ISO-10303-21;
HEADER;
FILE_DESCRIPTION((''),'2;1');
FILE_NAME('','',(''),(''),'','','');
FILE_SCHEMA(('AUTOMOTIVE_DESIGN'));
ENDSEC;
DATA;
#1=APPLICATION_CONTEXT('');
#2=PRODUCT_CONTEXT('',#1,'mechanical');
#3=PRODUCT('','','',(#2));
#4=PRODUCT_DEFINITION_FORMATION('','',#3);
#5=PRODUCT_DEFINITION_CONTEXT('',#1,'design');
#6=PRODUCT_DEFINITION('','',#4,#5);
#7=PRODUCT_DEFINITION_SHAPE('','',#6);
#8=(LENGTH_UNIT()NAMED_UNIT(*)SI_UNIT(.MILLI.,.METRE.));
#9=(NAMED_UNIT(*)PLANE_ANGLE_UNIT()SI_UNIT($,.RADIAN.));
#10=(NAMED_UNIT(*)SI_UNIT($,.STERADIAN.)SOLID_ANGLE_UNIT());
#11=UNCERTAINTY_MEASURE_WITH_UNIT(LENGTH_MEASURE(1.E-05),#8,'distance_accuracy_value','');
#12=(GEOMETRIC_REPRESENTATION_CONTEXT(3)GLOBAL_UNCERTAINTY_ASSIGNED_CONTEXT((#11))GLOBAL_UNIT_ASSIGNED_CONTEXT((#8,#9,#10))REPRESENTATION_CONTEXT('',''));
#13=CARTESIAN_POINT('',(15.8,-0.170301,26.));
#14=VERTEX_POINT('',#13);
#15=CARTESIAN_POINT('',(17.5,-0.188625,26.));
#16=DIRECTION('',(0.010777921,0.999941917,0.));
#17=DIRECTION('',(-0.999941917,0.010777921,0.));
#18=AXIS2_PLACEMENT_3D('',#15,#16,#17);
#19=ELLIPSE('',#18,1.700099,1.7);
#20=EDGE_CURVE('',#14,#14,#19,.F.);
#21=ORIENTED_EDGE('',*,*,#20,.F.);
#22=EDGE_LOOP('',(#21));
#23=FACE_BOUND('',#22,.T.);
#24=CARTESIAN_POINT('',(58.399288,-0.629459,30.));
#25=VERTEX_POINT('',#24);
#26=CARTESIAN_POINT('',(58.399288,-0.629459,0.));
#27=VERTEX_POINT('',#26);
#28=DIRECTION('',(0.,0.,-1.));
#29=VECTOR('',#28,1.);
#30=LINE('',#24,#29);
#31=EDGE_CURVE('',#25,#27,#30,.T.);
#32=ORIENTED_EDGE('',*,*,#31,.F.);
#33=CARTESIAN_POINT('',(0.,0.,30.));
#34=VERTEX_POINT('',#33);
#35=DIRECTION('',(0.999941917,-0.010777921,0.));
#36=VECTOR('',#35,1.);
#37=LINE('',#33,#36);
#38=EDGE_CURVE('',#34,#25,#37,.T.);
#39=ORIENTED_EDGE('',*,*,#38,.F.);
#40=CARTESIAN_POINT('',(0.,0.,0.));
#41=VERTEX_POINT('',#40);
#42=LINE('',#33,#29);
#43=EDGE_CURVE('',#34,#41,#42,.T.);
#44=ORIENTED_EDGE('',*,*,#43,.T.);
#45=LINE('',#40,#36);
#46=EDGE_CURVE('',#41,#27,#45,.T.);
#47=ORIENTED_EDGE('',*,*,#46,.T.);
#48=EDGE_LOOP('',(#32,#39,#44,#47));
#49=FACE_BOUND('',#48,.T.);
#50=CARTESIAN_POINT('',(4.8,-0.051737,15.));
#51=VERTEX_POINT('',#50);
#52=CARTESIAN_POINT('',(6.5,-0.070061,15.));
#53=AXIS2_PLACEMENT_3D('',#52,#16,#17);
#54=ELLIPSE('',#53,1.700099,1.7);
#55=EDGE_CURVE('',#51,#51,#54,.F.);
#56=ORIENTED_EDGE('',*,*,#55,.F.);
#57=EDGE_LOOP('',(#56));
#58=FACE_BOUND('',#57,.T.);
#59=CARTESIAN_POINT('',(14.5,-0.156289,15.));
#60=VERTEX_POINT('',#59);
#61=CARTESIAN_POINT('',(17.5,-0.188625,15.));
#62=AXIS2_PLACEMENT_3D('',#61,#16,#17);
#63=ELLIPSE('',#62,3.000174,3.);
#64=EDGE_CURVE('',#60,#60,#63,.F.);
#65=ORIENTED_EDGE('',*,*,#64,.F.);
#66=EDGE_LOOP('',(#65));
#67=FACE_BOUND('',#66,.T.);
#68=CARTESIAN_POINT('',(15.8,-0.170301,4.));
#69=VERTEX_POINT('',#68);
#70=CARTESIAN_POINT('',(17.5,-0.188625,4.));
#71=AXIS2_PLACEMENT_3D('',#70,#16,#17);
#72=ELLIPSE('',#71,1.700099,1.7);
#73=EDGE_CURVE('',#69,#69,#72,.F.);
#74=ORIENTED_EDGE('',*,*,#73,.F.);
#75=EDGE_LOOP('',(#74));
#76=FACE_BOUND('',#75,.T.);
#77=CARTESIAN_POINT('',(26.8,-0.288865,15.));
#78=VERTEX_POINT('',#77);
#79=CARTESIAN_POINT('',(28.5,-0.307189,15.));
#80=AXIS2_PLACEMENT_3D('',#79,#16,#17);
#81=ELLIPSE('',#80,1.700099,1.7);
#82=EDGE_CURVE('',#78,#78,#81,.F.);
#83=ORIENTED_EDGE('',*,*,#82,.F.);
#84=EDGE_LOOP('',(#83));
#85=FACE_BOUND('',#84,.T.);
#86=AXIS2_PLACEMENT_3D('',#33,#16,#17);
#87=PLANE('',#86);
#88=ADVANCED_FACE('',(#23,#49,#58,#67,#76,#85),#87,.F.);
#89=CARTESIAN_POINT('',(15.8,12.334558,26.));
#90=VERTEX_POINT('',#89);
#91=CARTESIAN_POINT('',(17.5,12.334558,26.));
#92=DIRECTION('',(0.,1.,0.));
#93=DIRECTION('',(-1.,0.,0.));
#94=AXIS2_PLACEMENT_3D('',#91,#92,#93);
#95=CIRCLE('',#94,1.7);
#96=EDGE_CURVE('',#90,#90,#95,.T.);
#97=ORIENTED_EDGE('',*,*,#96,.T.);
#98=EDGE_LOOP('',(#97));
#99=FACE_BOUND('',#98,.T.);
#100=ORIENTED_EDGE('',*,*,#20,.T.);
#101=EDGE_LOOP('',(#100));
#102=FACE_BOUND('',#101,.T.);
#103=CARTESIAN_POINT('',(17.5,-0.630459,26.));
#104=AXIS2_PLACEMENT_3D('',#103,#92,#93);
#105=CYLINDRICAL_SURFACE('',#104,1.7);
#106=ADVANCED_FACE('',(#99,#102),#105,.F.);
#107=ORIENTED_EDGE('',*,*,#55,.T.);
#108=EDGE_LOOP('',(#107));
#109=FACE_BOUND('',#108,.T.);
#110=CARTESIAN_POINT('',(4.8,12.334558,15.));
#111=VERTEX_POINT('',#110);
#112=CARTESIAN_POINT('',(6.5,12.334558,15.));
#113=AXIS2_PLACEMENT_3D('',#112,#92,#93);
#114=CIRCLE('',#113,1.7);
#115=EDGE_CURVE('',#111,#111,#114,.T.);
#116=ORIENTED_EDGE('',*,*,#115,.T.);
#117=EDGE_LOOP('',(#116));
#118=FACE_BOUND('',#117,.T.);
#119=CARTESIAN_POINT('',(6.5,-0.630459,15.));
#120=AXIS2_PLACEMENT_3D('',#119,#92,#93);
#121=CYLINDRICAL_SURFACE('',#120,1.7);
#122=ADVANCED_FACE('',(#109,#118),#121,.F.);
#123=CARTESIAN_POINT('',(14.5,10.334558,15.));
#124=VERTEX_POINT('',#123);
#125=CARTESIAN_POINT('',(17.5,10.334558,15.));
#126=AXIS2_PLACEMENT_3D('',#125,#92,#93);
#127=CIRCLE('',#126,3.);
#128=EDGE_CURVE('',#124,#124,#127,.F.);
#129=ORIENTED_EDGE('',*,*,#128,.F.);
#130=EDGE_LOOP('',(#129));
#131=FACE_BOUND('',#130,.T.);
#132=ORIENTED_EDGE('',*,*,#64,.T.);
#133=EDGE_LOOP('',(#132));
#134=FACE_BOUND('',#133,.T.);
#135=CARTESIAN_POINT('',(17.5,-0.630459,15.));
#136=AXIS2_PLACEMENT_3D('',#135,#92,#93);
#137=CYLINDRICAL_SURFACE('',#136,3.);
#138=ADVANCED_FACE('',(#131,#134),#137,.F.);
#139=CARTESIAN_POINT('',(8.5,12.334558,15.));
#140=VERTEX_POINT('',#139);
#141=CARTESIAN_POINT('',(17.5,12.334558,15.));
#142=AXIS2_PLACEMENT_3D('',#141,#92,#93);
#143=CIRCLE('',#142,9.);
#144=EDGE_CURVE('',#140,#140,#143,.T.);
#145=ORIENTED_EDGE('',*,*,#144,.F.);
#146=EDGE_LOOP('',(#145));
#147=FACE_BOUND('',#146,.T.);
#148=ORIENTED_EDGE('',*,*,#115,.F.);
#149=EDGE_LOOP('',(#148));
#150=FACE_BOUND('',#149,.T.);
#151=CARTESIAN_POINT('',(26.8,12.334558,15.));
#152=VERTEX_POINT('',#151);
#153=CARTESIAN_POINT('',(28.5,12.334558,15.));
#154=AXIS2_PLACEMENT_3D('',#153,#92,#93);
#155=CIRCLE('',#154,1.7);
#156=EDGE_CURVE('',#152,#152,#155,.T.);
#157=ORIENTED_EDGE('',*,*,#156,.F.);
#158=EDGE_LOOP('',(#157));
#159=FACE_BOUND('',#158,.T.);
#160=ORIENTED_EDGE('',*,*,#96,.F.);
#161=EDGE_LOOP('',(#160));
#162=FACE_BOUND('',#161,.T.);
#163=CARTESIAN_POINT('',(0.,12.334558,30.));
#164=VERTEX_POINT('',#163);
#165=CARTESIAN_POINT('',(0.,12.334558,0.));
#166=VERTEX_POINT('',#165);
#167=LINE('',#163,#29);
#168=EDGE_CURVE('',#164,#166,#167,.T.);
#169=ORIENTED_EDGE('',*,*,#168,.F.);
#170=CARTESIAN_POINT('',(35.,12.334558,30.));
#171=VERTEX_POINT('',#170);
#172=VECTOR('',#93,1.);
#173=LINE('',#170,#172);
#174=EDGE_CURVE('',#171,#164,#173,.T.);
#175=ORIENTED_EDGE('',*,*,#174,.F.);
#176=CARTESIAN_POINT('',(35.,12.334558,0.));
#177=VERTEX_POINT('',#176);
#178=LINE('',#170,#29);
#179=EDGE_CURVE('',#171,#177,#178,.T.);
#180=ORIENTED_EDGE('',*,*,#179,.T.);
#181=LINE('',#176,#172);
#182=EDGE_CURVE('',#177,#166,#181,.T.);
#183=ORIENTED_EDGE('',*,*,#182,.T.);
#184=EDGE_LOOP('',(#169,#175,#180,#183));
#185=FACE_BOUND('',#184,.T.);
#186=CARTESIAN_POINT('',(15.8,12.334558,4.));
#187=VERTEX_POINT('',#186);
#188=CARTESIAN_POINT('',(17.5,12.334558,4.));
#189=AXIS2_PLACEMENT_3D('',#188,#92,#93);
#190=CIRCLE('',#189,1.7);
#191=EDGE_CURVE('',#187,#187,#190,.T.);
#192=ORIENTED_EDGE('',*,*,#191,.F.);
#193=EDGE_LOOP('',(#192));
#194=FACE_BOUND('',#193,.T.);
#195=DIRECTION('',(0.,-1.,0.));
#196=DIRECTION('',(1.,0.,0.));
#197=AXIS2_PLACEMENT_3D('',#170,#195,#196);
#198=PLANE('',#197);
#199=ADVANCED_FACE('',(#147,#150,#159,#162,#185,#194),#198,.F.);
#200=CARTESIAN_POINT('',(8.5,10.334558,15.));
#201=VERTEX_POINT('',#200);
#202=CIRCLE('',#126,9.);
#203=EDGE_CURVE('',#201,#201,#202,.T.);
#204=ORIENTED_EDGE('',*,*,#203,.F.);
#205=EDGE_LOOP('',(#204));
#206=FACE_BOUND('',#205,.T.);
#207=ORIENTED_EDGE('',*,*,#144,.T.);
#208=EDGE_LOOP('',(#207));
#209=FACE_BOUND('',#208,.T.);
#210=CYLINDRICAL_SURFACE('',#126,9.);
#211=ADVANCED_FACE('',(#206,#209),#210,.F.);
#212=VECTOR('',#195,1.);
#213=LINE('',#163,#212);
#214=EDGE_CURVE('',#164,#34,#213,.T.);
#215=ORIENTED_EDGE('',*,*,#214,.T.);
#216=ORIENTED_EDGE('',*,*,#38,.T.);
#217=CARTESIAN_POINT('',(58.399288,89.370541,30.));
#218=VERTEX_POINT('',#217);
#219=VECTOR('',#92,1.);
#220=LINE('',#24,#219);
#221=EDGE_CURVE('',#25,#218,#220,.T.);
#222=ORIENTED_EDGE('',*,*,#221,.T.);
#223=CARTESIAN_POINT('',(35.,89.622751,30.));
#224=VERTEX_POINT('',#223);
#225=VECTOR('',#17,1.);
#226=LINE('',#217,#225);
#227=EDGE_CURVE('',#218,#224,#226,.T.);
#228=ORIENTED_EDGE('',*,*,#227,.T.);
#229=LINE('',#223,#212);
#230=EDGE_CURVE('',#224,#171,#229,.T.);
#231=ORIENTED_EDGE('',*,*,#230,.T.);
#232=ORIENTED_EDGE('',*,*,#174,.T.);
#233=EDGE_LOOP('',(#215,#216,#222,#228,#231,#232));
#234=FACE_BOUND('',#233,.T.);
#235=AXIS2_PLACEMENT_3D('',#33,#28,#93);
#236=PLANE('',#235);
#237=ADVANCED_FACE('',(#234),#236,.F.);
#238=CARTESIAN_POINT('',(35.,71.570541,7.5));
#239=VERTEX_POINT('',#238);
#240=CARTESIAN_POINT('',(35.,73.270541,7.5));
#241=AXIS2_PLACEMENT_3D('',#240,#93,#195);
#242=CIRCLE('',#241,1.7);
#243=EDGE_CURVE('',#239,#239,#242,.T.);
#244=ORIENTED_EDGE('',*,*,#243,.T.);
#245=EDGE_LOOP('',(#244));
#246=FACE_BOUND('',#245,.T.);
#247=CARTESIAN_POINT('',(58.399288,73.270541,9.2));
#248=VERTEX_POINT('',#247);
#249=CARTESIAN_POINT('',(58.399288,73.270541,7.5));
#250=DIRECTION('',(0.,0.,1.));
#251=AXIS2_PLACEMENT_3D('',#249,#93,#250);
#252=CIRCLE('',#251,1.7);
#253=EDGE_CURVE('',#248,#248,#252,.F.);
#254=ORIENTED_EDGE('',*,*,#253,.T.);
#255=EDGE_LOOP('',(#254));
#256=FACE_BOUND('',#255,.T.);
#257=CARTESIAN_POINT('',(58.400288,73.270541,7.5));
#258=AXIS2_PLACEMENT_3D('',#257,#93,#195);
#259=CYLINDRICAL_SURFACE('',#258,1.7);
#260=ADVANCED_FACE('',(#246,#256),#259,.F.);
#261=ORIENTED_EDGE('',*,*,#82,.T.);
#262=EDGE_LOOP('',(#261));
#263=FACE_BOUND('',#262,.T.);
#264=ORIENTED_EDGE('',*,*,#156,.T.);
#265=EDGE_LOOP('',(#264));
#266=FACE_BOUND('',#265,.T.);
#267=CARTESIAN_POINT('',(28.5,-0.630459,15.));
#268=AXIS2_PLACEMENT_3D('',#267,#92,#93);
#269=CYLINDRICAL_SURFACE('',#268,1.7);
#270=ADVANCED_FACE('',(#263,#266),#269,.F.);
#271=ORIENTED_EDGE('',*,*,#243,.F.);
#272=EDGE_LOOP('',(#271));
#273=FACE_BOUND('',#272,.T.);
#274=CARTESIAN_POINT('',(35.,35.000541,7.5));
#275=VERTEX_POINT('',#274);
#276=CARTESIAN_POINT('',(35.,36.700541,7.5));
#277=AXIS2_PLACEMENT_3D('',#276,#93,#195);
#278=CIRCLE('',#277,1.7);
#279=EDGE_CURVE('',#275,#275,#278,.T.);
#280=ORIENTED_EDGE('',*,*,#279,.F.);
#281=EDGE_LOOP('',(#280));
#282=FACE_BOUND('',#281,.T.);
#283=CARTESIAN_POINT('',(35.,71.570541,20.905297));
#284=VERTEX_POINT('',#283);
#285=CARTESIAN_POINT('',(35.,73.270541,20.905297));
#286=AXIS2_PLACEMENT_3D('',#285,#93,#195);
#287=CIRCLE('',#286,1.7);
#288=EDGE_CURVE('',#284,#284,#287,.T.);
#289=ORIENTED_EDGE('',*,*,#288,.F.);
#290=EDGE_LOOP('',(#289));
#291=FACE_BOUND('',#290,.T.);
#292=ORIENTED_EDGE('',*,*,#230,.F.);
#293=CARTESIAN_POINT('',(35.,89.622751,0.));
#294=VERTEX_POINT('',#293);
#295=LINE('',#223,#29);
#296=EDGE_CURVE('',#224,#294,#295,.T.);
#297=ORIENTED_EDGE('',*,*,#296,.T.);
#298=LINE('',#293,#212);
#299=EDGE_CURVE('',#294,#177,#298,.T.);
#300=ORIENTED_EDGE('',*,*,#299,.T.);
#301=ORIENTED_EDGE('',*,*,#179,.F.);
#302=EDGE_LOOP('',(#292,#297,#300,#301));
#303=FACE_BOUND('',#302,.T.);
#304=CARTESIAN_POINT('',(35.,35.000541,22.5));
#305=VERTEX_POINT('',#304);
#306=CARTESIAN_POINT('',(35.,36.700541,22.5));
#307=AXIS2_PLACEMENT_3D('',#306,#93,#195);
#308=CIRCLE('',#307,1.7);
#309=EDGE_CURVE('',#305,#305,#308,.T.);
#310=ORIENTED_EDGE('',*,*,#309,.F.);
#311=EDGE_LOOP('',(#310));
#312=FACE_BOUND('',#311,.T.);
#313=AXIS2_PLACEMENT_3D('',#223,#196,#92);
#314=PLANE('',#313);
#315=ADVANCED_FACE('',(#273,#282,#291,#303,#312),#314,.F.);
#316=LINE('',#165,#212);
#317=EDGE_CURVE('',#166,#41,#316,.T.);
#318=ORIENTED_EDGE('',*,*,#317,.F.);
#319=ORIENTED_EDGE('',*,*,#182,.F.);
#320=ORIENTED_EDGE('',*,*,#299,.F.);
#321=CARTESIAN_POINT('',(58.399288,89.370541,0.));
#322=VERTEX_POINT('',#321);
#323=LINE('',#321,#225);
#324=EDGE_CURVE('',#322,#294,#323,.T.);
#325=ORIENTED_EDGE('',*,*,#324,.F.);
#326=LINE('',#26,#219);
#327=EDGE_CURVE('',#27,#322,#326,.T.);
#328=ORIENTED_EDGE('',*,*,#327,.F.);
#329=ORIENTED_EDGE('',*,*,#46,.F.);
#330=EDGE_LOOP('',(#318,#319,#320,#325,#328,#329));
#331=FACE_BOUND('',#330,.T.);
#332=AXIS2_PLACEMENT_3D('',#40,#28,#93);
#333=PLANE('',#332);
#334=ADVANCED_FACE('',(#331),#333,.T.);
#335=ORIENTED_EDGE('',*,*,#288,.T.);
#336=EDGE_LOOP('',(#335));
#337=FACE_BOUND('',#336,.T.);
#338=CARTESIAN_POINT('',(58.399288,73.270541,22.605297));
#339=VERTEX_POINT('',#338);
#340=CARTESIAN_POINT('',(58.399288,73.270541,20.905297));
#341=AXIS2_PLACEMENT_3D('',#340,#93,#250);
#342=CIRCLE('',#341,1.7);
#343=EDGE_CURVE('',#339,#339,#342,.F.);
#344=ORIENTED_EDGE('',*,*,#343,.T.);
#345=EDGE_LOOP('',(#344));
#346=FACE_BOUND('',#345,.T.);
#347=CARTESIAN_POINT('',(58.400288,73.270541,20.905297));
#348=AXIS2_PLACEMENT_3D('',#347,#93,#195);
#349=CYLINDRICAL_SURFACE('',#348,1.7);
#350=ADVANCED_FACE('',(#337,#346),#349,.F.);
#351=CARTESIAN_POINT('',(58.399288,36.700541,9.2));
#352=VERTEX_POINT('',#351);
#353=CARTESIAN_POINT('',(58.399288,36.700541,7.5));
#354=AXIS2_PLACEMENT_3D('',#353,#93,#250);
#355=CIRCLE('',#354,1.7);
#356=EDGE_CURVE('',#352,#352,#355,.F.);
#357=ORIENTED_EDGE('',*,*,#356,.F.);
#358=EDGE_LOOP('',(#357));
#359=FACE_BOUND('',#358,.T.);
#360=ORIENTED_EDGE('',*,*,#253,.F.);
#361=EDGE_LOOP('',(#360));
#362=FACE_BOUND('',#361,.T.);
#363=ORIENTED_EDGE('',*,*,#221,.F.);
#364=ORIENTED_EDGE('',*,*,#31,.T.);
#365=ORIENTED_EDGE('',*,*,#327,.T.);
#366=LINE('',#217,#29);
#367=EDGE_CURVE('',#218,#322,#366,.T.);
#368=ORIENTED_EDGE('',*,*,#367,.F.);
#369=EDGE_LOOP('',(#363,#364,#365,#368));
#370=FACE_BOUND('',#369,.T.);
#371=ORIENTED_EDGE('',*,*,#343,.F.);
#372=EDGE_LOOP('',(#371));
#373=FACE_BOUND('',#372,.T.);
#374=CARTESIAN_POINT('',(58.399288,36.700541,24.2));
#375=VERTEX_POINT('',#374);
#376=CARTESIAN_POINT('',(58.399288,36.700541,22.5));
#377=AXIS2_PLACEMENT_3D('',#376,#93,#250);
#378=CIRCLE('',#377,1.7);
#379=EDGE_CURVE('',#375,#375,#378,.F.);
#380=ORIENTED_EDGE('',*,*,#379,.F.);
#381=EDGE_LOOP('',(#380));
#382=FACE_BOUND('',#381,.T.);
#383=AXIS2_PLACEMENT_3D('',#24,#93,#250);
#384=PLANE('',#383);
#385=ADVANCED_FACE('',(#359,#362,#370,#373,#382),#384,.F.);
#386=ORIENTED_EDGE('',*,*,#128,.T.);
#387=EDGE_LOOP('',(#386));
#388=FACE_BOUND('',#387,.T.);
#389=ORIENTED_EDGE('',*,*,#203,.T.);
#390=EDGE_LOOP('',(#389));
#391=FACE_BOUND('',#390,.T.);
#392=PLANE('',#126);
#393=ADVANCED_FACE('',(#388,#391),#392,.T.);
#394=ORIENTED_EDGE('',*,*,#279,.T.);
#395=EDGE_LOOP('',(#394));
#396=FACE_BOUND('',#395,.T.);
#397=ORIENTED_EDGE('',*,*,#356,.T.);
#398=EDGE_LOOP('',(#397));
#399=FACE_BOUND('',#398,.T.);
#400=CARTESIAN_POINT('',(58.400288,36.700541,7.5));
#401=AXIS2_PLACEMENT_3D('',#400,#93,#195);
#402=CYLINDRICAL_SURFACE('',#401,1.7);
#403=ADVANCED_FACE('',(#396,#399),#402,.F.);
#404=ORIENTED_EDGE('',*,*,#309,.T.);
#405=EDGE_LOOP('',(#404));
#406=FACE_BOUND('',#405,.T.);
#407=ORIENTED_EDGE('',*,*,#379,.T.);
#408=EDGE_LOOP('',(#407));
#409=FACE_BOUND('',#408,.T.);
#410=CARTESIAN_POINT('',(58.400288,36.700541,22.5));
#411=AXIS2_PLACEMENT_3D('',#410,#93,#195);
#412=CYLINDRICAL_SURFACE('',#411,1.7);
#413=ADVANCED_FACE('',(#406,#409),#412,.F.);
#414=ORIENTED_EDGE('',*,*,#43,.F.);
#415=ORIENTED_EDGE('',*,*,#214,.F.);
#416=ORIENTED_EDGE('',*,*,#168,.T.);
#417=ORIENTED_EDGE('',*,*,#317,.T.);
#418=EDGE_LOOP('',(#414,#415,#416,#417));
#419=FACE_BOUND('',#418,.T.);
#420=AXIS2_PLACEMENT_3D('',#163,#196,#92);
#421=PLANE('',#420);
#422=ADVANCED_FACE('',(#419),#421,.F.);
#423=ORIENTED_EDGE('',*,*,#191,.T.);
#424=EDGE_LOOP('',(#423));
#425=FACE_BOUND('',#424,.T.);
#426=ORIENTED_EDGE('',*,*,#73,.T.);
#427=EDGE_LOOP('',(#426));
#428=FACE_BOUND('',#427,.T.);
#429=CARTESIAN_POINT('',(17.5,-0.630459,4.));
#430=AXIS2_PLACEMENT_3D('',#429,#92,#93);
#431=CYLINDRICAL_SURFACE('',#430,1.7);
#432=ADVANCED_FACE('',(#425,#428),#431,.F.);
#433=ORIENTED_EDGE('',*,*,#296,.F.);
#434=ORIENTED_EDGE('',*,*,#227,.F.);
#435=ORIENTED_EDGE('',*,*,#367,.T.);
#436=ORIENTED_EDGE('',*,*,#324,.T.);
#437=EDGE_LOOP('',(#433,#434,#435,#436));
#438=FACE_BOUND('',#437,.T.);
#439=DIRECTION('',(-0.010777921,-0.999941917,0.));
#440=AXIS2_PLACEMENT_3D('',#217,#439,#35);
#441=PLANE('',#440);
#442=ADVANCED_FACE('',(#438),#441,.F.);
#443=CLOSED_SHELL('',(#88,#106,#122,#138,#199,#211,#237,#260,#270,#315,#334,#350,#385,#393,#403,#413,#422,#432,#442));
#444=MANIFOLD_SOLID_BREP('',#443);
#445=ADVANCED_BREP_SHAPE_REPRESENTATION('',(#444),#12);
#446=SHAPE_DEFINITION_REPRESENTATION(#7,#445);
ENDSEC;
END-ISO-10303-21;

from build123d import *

# Parameters (mm, degrees)
BOSS_EXTRUDE1_DEPTH = 30
CUT_EXTRUDE1_REACH  = 103.41
SKETCH2_R           = 3
SKETCH2_R_2         = 1.7
SKETCH3_R           = 9
CUT_EXTRUDE2_DEPTH  = 2
CUT_EXTRUDE3_REACH  = 102.783
SKETCH4_R           = 1.7


with BuildPart() as part:
    # Sketch1 → Boss-Extrude1 (new body)
    with BuildSketch(Plane.XY):
        Polygon((0, 0), (58.399287612, -0.629459459), (58.399287612, 89.370540541), (35, 89.622750859), (35, 12.334557553), (0, 12.334557553), align=None)
    extrude(amount=BOSS_EXTRUDE1_DEPTH)

    # Cut-Extrude1: up to this plane
    cut_extrude1_end = Plane(origin=(0, 0, 30), z_dir=(0.010777920827534888, 0.9999419165244726, 0))
    # Sketch2 → Cut-Extrude1 (cut, up to the surface)
    with BuildSketch(Plane(origin=(0, 12.334557553, 0), x_dir=(1, 0, 0), z_dir=(0, 1, 0)), mode=Mode.PRIVATE) as cut_extrude1_sk1:
        with Locations(Location((17.5, -15, 0), (0, 0, 180))):
            Circle(SKETCH2_R)
    cut_extrude1_tool1 = split(extrude(cut_extrude1_sk1.sketch, amount=-CUT_EXTRUDE1_REACH, mode=Mode.PRIVATE), bisect_by=cut_extrude1_end, keep=Keep.BOTH, mode=Mode.PRIVATE)
    add(cut_extrude1_tool1.solids().sort_by_distance((17.5, 12.334558, 15))[0], mode=Mode.SUBTRACT)
    # Sketch2 → Cut-Extrude1 (cut, up to the surface)
    with BuildSketch(Plane(origin=(0, 12.334557553, 0), x_dir=(1, 0, 0), z_dir=(0, 1, 0)), mode=Mode.PRIVATE) as cut_extrude1_sk2:
        with Locations(Location((6.5, -15, 0), (0, 0, 180))):
            Circle(SKETCH2_R_2)
    cut_extrude1_tool2 = split(extrude(cut_extrude1_sk2.sketch, amount=-CUT_EXTRUDE1_REACH, mode=Mode.PRIVATE), bisect_by=cut_extrude1_end, keep=Keep.BOTH, mode=Mode.PRIVATE)
    add(cut_extrude1_tool2.solids().sort_by_distance((6.5, 12.334558, 15))[0], mode=Mode.SUBTRACT)
    # Sketch2 → Cut-Extrude1 (cut, up to the surface)
    with BuildSketch(Plane(origin=(0, 12.334557553, 0), x_dir=(1, 0, 0), z_dir=(0, 1, 0)), mode=Mode.PRIVATE) as cut_extrude1_sk3:
        with Locations(Location((17.5, -4, 0), (0, 0, 180))):
            Circle(SKETCH2_R_2)
    cut_extrude1_tool3 = split(extrude(cut_extrude1_sk3.sketch, amount=-CUT_EXTRUDE1_REACH, mode=Mode.PRIVATE), bisect_by=cut_extrude1_end, keep=Keep.BOTH, mode=Mode.PRIVATE)
    add(cut_extrude1_tool3.solids().sort_by_distance((17.5, 12.334558, 4))[0], mode=Mode.SUBTRACT)
    # Sketch2 → Cut-Extrude1 (cut, up to the surface)
    with BuildSketch(Plane(origin=(0, 12.334557553, 0), x_dir=(1, 0, 0), z_dir=(0, 1, 0)), mode=Mode.PRIVATE) as cut_extrude1_sk4:
        with Locations(Location((28.5, -15, 0), (0, 0, 180))):
            Circle(SKETCH2_R_2)
    cut_extrude1_tool4 = split(extrude(cut_extrude1_sk4.sketch, amount=-CUT_EXTRUDE1_REACH, mode=Mode.PRIVATE), bisect_by=cut_extrude1_end, keep=Keep.BOTH, mode=Mode.PRIVATE)
    add(cut_extrude1_tool4.solids().sort_by_distance((28.5, 12.334558, 15))[0], mode=Mode.SUBTRACT)
    # Sketch2 → Cut-Extrude1 (cut, up to the surface)
    with BuildSketch(Plane(origin=(0, 12.334557553, 0), x_dir=(1, 0, 0), z_dir=(0, 1, 0)), mode=Mode.PRIVATE) as cut_extrude1_sk5:
        with Locations(Location((17.5, -26, 0), (0, 0, 180))):
            Circle(SKETCH2_R_2)
    cut_extrude1_tool5 = split(extrude(cut_extrude1_sk5.sketch, amount=-CUT_EXTRUDE1_REACH, mode=Mode.PRIVATE), bisect_by=cut_extrude1_end, keep=Keep.BOTH, mode=Mode.PRIVATE)
    add(cut_extrude1_tool5.solids().sort_by_distance((17.5, 12.334558, 26))[0], mode=Mode.SUBTRACT)

    # Sketch3 → Cut-Extrude2 (cut)
    with BuildSketch(Plane(origin=(0, 12.334557553, 0), x_dir=(1, 0, 0), z_dir=(0, 1, 0))):
        with Locations(Location((17.5, -15, 0), (0, 0, 180))):
            Circle(SKETCH3_R)
    extrude(amount=-CUT_EXTRUDE2_DEPTH, mode=Mode.SUBTRACT)

    # Sketch4 → Cut-Extrude3 (cut, up to next)
    with BuildSketch(Plane.ZY.offset(-35), mode=Mode.PRIVATE) as cut_extrude3_sk1:
        with Locations(Location((22.5, 36.700540541, 0), (0, 0, 270))):
            Circle(SKETCH4_R)
    cut_extrude3_tool1 = extrude(cut_extrude3_sk1.sketch, amount=-CUT_EXTRUDE3_REACH, mode=Mode.PRIVATE) & part.part
    # Sketch4 → Cut-Extrude3 (cut, up to next)
    with BuildSketch(Plane.ZY.offset(-35), mode=Mode.PRIVATE) as cut_extrude3_sk2:
        with Locations(Location((7.5, 36.700540541, 0), (0, 0, 270))):
            Circle(SKETCH4_R)
    cut_extrude3_tool2 = extrude(cut_extrude3_sk2.sketch, amount=-CUT_EXTRUDE3_REACH, mode=Mode.PRIVATE) & part.part
    # Sketch4 → Cut-Extrude3 (cut, up to next)
    with BuildSketch(Plane.ZY.offset(-35), mode=Mode.PRIVATE) as cut_extrude3_sk3:
        with Locations(Location((7.5, 73.270540541, 0), (0, 0, 270))):
            Circle(SKETCH4_R)
    cut_extrude3_tool3 = extrude(cut_extrude3_sk3.sketch, amount=-CUT_EXTRUDE3_REACH, mode=Mode.PRIVATE) & part.part
    # Sketch4 → Cut-Extrude3 (cut, up to next)
    with BuildSketch(Plane.ZY.offset(-35), mode=Mode.PRIVATE) as cut_extrude3_sk4:
        with Locations(Location((20.905297153, 73.270540541, 0), (0, 0, 270))):
            Circle(SKETCH4_R)
    cut_extrude3_tool4 = extrude(cut_extrude3_sk4.sketch, amount=-CUT_EXTRUDE3_REACH, mode=Mode.PRIVATE) & part.part
    add(cut_extrude3_tool1.solids().sort_by_distance((35, 36.700541, 22.5))[0], mode=Mode.SUBTRACT)
    add(cut_extrude3_tool2.solids().sort_by_distance((35, 36.700541, 7.5))[0], mode=Mode.SUBTRACT)
    add(cut_extrude3_tool3.solids().sort_by_distance((35, 73.270541, 7.5))[0], mode=Mode.SUBTRACT)
    add(cut_extrude3_tool4.solids().sort_by_distance((35, 73.270541, 20.905297))[0], mode=Mode.SUBTRACT)


solid = part.part
